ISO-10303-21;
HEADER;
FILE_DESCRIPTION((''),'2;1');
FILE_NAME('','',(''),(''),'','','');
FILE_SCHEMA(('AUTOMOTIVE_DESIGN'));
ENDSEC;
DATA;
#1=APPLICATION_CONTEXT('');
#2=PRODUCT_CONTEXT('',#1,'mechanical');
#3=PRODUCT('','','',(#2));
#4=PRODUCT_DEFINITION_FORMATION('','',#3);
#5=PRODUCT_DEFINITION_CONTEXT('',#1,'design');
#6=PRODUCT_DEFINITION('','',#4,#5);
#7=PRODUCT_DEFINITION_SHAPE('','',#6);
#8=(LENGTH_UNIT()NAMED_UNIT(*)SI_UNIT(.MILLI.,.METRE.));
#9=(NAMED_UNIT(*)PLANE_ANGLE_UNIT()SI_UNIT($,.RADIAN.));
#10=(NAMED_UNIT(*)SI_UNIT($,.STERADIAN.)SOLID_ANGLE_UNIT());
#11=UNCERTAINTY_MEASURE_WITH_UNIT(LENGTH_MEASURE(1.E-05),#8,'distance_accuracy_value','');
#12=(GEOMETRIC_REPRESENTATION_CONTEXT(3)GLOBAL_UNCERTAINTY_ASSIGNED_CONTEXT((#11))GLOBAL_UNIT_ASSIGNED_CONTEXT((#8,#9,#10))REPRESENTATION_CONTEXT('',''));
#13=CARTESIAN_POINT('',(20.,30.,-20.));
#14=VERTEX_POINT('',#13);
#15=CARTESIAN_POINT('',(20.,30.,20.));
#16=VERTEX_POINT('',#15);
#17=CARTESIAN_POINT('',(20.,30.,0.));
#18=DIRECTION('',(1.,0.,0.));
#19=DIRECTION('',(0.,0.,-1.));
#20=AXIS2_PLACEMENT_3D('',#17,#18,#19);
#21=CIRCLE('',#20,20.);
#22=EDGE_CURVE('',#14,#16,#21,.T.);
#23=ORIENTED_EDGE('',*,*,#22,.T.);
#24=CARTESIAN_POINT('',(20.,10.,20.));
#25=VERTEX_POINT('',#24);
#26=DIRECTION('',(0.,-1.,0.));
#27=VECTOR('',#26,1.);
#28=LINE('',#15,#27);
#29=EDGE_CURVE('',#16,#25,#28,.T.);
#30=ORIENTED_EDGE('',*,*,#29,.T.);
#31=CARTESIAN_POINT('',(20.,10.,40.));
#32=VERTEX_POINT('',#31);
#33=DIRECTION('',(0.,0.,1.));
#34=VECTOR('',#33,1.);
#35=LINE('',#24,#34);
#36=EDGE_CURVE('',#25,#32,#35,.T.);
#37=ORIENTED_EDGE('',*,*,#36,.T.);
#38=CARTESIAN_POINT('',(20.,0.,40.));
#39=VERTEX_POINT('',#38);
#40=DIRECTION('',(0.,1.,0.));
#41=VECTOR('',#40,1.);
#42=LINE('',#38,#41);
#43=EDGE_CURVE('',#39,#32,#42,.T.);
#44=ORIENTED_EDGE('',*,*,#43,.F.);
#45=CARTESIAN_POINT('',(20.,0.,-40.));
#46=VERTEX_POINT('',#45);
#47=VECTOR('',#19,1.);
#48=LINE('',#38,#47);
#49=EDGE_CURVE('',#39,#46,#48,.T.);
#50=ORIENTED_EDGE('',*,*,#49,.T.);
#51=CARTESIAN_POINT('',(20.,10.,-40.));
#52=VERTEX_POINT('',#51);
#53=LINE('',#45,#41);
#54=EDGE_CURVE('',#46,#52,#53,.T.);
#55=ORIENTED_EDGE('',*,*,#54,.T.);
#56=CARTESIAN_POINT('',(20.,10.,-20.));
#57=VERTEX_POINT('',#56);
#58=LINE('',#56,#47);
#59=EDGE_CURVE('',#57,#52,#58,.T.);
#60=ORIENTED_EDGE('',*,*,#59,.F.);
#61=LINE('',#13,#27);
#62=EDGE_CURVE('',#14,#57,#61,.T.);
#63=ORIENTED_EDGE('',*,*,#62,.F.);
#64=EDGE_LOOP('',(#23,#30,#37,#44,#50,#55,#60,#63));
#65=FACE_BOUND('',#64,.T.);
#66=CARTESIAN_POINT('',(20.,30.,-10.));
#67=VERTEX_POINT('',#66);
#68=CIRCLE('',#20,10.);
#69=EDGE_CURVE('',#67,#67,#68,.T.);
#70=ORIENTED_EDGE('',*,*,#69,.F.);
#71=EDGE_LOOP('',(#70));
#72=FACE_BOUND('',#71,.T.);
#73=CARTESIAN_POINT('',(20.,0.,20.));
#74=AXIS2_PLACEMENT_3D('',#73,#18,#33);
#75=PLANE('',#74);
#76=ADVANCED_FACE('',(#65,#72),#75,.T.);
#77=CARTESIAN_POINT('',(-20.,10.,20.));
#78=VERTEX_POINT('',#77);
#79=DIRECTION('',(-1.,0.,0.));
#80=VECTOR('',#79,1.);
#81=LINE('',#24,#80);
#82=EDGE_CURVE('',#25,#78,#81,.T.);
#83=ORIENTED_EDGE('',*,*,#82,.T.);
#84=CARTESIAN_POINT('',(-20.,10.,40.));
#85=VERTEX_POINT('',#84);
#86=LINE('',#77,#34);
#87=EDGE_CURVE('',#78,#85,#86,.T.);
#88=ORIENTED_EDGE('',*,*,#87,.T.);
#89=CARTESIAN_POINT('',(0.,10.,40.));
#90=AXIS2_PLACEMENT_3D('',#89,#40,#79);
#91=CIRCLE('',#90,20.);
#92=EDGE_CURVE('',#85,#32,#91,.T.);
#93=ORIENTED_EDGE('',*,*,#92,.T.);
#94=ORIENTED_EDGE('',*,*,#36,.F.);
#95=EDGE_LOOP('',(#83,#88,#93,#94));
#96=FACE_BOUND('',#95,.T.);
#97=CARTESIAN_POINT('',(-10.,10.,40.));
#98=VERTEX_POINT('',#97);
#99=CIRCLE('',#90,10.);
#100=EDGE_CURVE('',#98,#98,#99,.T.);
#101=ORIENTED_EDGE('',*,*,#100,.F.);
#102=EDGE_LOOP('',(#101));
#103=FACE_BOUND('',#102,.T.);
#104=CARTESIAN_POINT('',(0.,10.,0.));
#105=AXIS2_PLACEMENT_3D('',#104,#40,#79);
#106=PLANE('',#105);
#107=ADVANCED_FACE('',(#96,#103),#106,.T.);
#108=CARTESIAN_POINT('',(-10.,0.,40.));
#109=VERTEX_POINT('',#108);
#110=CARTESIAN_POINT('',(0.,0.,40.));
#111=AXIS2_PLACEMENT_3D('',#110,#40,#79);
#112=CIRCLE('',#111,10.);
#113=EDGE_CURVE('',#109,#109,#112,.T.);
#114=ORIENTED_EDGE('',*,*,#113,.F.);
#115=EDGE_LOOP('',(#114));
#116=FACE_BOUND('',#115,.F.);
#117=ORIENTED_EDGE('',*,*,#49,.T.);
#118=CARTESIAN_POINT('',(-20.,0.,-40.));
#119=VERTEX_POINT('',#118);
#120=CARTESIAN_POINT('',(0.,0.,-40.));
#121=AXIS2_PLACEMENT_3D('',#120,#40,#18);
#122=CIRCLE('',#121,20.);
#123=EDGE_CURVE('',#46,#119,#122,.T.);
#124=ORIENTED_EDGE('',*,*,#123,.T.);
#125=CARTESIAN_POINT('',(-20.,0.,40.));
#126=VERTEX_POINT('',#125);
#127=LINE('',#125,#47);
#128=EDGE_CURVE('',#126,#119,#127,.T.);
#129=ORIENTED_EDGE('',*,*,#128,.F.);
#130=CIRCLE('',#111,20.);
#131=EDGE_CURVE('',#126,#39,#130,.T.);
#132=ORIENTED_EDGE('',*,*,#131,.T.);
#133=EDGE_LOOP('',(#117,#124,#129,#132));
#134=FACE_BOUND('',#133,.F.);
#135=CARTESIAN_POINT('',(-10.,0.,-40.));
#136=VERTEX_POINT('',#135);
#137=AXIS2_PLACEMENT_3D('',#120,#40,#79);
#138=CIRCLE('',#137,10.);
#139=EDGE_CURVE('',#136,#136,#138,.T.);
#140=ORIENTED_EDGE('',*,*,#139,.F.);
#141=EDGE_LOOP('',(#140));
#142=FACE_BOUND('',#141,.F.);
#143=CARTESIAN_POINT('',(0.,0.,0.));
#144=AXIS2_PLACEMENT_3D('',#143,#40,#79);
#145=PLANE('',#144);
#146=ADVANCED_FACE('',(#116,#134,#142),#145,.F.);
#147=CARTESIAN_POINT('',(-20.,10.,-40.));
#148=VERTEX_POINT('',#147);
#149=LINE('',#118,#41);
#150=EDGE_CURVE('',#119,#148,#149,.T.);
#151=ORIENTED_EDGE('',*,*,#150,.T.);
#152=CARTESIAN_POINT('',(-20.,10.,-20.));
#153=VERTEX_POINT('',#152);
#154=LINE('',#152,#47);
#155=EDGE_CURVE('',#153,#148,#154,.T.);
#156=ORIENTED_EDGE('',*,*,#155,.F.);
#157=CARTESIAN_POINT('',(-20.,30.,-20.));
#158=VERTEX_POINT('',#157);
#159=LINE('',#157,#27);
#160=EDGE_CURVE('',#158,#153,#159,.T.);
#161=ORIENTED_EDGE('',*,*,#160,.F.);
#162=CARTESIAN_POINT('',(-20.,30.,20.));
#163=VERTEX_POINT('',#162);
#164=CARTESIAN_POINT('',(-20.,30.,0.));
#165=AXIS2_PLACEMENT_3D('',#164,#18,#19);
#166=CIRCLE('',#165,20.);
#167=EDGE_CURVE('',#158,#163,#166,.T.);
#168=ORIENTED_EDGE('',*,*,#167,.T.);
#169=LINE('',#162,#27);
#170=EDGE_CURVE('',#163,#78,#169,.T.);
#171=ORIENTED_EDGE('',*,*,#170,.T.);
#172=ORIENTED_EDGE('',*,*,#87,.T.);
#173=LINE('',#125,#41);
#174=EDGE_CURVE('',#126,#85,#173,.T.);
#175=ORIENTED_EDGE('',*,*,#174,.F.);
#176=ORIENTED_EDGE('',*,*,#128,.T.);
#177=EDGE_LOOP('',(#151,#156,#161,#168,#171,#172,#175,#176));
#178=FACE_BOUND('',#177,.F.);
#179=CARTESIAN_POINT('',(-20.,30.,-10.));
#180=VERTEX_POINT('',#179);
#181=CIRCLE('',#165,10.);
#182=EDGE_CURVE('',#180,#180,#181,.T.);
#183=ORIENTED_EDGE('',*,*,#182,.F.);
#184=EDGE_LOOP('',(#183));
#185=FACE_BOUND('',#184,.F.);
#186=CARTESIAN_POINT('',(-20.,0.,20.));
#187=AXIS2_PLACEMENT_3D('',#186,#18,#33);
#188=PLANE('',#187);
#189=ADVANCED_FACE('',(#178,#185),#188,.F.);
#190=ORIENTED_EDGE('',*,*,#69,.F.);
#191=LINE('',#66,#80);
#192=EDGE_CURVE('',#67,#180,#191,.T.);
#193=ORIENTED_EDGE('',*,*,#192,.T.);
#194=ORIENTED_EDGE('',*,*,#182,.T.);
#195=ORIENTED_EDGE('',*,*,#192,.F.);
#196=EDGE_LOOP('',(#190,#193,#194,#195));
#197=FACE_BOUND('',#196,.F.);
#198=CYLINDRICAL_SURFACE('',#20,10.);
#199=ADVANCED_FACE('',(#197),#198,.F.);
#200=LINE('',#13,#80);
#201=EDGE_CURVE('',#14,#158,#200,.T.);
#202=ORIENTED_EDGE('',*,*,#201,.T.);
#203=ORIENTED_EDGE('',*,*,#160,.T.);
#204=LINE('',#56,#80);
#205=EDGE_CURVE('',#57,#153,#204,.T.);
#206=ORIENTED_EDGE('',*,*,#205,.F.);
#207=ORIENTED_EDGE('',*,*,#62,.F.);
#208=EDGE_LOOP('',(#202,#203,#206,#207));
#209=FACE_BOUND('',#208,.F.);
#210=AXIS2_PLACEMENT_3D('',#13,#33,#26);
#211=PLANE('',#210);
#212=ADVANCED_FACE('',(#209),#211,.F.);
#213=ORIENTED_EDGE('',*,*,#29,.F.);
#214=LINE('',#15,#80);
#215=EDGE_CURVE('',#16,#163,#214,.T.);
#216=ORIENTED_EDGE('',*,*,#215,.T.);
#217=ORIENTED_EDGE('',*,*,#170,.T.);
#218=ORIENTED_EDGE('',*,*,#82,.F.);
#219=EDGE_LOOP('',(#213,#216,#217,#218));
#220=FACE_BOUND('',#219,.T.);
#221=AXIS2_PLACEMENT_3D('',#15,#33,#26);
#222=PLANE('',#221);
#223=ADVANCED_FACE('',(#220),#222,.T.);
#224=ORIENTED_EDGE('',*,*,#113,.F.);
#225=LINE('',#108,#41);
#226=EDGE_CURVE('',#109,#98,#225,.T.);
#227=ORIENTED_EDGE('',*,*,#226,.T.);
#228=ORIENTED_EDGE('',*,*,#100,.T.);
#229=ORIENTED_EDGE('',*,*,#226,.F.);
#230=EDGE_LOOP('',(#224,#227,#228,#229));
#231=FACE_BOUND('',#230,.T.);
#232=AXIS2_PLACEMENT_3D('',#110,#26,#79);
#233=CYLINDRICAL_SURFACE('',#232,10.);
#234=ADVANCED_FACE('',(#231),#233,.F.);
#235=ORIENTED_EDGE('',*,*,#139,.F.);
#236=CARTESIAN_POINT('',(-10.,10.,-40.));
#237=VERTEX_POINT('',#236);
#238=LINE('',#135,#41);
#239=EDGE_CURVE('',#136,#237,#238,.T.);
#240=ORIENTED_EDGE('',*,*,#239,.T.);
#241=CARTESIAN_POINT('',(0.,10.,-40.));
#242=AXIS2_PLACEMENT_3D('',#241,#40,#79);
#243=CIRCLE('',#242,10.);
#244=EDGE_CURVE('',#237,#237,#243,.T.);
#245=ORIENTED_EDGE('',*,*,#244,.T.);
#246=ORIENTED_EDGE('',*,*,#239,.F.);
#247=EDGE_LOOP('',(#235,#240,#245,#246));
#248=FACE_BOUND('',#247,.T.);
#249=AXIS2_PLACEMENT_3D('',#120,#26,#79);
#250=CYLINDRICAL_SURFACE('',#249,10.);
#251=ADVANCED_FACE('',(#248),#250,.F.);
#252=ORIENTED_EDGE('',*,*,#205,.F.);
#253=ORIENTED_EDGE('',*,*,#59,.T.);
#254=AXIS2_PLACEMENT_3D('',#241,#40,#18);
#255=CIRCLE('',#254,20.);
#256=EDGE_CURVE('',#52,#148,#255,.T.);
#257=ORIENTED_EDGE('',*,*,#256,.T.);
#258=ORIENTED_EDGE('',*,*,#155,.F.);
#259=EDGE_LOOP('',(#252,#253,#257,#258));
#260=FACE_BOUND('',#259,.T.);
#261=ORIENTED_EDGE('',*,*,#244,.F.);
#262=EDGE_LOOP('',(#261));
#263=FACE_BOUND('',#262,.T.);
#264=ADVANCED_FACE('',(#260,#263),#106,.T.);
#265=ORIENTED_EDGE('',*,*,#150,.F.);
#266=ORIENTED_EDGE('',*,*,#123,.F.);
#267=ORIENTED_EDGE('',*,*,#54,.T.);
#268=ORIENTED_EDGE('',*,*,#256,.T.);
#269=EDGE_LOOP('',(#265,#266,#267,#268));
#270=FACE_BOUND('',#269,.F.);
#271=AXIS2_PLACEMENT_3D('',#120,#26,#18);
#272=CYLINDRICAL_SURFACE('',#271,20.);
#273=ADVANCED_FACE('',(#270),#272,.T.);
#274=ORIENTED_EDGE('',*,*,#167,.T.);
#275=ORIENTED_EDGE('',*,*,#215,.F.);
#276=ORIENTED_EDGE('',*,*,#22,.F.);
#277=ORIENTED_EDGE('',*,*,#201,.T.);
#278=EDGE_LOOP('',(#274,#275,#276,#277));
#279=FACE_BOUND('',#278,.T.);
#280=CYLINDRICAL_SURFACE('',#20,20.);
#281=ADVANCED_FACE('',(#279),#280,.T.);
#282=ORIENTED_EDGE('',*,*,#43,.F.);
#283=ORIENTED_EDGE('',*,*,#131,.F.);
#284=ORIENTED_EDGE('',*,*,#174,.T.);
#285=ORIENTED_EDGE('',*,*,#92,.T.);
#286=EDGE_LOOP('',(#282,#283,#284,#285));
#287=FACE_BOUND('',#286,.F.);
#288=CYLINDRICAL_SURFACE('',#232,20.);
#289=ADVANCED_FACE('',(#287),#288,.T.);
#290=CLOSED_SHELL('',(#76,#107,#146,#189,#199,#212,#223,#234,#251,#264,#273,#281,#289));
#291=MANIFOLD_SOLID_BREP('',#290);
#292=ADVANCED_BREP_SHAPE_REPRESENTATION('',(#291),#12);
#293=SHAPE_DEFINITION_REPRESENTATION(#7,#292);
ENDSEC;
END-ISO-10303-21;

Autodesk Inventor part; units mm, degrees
ref_plane "YZ Plane" through (0, 0, 0) normal (1, 0, 0) x (0, 1, 0)
ref_plane "XZ Plane" through (0, 0, 0) normal (0, 1, 0) x (-1, 0, 0)
ref_plane "XY Plane" through (0, 0, 0) normal (0, 0, 1) x (1, 0, 0)
sketch "Boceto1" plane through (0, 0, 0) normal (0, 1, 0) x (-1, 0, 0)
  line L0 (-20, 20) -> (-20, -20)
  line L1 (20, -20) -> (20, 20)
  arc A0 (20, 40) -> (-20, 40) centre (0, 40) ccw
  arc A1 (-20, -40) -> (20, -40) centre (0, -40) ccw
  circle A2 centre (0, -40) radius 10
  line L2 (20, 20) -> (20, 40)
  line L3 (-20, 20) -> (-20, 40)
  line L4 (20, -20) -> (20, -40)
  line L5 (-20, -20) -> (-20, -40)
  circle A3 centre (0, 40) radius 10
  point P0 (0, 0)
extrude "Extrusión1" add sketch "Boceto1" along normal blind 10
sketch "Boceto2" plane through (20, 0, 40) normal (1, 0, 0) x (0, 0, -1)
  line L0 (80, 10) -> (0, 10) construction
  circle A0 centre (40, 30) radius 10
  arc A1 (60, 30) -> (20, 30) centre (40, 30) ccw
  line L1 (20, 30) -> (20, 10)
  line L2 (60, 30) -> (60, 10)
  line L3 (20, 10) -> (60, 10)
  point P0 (40, 0)
extrude "Extrusión2" add sketch "Boceto2" against normal blind 40
thread "Rosca1" size "M20x2.5" class "6H" standard "ANSI Metric M Profile" full length
thread "Rosca2" size "M20x2.5" class "6H" standard "ANSI Metric M Profile" full length
thread "Rosca3" size "M20x2.5" class "6H" standard "ANSI Metric M Profile" full length
properties part number "Tarea 1 Lab Dinamica"
